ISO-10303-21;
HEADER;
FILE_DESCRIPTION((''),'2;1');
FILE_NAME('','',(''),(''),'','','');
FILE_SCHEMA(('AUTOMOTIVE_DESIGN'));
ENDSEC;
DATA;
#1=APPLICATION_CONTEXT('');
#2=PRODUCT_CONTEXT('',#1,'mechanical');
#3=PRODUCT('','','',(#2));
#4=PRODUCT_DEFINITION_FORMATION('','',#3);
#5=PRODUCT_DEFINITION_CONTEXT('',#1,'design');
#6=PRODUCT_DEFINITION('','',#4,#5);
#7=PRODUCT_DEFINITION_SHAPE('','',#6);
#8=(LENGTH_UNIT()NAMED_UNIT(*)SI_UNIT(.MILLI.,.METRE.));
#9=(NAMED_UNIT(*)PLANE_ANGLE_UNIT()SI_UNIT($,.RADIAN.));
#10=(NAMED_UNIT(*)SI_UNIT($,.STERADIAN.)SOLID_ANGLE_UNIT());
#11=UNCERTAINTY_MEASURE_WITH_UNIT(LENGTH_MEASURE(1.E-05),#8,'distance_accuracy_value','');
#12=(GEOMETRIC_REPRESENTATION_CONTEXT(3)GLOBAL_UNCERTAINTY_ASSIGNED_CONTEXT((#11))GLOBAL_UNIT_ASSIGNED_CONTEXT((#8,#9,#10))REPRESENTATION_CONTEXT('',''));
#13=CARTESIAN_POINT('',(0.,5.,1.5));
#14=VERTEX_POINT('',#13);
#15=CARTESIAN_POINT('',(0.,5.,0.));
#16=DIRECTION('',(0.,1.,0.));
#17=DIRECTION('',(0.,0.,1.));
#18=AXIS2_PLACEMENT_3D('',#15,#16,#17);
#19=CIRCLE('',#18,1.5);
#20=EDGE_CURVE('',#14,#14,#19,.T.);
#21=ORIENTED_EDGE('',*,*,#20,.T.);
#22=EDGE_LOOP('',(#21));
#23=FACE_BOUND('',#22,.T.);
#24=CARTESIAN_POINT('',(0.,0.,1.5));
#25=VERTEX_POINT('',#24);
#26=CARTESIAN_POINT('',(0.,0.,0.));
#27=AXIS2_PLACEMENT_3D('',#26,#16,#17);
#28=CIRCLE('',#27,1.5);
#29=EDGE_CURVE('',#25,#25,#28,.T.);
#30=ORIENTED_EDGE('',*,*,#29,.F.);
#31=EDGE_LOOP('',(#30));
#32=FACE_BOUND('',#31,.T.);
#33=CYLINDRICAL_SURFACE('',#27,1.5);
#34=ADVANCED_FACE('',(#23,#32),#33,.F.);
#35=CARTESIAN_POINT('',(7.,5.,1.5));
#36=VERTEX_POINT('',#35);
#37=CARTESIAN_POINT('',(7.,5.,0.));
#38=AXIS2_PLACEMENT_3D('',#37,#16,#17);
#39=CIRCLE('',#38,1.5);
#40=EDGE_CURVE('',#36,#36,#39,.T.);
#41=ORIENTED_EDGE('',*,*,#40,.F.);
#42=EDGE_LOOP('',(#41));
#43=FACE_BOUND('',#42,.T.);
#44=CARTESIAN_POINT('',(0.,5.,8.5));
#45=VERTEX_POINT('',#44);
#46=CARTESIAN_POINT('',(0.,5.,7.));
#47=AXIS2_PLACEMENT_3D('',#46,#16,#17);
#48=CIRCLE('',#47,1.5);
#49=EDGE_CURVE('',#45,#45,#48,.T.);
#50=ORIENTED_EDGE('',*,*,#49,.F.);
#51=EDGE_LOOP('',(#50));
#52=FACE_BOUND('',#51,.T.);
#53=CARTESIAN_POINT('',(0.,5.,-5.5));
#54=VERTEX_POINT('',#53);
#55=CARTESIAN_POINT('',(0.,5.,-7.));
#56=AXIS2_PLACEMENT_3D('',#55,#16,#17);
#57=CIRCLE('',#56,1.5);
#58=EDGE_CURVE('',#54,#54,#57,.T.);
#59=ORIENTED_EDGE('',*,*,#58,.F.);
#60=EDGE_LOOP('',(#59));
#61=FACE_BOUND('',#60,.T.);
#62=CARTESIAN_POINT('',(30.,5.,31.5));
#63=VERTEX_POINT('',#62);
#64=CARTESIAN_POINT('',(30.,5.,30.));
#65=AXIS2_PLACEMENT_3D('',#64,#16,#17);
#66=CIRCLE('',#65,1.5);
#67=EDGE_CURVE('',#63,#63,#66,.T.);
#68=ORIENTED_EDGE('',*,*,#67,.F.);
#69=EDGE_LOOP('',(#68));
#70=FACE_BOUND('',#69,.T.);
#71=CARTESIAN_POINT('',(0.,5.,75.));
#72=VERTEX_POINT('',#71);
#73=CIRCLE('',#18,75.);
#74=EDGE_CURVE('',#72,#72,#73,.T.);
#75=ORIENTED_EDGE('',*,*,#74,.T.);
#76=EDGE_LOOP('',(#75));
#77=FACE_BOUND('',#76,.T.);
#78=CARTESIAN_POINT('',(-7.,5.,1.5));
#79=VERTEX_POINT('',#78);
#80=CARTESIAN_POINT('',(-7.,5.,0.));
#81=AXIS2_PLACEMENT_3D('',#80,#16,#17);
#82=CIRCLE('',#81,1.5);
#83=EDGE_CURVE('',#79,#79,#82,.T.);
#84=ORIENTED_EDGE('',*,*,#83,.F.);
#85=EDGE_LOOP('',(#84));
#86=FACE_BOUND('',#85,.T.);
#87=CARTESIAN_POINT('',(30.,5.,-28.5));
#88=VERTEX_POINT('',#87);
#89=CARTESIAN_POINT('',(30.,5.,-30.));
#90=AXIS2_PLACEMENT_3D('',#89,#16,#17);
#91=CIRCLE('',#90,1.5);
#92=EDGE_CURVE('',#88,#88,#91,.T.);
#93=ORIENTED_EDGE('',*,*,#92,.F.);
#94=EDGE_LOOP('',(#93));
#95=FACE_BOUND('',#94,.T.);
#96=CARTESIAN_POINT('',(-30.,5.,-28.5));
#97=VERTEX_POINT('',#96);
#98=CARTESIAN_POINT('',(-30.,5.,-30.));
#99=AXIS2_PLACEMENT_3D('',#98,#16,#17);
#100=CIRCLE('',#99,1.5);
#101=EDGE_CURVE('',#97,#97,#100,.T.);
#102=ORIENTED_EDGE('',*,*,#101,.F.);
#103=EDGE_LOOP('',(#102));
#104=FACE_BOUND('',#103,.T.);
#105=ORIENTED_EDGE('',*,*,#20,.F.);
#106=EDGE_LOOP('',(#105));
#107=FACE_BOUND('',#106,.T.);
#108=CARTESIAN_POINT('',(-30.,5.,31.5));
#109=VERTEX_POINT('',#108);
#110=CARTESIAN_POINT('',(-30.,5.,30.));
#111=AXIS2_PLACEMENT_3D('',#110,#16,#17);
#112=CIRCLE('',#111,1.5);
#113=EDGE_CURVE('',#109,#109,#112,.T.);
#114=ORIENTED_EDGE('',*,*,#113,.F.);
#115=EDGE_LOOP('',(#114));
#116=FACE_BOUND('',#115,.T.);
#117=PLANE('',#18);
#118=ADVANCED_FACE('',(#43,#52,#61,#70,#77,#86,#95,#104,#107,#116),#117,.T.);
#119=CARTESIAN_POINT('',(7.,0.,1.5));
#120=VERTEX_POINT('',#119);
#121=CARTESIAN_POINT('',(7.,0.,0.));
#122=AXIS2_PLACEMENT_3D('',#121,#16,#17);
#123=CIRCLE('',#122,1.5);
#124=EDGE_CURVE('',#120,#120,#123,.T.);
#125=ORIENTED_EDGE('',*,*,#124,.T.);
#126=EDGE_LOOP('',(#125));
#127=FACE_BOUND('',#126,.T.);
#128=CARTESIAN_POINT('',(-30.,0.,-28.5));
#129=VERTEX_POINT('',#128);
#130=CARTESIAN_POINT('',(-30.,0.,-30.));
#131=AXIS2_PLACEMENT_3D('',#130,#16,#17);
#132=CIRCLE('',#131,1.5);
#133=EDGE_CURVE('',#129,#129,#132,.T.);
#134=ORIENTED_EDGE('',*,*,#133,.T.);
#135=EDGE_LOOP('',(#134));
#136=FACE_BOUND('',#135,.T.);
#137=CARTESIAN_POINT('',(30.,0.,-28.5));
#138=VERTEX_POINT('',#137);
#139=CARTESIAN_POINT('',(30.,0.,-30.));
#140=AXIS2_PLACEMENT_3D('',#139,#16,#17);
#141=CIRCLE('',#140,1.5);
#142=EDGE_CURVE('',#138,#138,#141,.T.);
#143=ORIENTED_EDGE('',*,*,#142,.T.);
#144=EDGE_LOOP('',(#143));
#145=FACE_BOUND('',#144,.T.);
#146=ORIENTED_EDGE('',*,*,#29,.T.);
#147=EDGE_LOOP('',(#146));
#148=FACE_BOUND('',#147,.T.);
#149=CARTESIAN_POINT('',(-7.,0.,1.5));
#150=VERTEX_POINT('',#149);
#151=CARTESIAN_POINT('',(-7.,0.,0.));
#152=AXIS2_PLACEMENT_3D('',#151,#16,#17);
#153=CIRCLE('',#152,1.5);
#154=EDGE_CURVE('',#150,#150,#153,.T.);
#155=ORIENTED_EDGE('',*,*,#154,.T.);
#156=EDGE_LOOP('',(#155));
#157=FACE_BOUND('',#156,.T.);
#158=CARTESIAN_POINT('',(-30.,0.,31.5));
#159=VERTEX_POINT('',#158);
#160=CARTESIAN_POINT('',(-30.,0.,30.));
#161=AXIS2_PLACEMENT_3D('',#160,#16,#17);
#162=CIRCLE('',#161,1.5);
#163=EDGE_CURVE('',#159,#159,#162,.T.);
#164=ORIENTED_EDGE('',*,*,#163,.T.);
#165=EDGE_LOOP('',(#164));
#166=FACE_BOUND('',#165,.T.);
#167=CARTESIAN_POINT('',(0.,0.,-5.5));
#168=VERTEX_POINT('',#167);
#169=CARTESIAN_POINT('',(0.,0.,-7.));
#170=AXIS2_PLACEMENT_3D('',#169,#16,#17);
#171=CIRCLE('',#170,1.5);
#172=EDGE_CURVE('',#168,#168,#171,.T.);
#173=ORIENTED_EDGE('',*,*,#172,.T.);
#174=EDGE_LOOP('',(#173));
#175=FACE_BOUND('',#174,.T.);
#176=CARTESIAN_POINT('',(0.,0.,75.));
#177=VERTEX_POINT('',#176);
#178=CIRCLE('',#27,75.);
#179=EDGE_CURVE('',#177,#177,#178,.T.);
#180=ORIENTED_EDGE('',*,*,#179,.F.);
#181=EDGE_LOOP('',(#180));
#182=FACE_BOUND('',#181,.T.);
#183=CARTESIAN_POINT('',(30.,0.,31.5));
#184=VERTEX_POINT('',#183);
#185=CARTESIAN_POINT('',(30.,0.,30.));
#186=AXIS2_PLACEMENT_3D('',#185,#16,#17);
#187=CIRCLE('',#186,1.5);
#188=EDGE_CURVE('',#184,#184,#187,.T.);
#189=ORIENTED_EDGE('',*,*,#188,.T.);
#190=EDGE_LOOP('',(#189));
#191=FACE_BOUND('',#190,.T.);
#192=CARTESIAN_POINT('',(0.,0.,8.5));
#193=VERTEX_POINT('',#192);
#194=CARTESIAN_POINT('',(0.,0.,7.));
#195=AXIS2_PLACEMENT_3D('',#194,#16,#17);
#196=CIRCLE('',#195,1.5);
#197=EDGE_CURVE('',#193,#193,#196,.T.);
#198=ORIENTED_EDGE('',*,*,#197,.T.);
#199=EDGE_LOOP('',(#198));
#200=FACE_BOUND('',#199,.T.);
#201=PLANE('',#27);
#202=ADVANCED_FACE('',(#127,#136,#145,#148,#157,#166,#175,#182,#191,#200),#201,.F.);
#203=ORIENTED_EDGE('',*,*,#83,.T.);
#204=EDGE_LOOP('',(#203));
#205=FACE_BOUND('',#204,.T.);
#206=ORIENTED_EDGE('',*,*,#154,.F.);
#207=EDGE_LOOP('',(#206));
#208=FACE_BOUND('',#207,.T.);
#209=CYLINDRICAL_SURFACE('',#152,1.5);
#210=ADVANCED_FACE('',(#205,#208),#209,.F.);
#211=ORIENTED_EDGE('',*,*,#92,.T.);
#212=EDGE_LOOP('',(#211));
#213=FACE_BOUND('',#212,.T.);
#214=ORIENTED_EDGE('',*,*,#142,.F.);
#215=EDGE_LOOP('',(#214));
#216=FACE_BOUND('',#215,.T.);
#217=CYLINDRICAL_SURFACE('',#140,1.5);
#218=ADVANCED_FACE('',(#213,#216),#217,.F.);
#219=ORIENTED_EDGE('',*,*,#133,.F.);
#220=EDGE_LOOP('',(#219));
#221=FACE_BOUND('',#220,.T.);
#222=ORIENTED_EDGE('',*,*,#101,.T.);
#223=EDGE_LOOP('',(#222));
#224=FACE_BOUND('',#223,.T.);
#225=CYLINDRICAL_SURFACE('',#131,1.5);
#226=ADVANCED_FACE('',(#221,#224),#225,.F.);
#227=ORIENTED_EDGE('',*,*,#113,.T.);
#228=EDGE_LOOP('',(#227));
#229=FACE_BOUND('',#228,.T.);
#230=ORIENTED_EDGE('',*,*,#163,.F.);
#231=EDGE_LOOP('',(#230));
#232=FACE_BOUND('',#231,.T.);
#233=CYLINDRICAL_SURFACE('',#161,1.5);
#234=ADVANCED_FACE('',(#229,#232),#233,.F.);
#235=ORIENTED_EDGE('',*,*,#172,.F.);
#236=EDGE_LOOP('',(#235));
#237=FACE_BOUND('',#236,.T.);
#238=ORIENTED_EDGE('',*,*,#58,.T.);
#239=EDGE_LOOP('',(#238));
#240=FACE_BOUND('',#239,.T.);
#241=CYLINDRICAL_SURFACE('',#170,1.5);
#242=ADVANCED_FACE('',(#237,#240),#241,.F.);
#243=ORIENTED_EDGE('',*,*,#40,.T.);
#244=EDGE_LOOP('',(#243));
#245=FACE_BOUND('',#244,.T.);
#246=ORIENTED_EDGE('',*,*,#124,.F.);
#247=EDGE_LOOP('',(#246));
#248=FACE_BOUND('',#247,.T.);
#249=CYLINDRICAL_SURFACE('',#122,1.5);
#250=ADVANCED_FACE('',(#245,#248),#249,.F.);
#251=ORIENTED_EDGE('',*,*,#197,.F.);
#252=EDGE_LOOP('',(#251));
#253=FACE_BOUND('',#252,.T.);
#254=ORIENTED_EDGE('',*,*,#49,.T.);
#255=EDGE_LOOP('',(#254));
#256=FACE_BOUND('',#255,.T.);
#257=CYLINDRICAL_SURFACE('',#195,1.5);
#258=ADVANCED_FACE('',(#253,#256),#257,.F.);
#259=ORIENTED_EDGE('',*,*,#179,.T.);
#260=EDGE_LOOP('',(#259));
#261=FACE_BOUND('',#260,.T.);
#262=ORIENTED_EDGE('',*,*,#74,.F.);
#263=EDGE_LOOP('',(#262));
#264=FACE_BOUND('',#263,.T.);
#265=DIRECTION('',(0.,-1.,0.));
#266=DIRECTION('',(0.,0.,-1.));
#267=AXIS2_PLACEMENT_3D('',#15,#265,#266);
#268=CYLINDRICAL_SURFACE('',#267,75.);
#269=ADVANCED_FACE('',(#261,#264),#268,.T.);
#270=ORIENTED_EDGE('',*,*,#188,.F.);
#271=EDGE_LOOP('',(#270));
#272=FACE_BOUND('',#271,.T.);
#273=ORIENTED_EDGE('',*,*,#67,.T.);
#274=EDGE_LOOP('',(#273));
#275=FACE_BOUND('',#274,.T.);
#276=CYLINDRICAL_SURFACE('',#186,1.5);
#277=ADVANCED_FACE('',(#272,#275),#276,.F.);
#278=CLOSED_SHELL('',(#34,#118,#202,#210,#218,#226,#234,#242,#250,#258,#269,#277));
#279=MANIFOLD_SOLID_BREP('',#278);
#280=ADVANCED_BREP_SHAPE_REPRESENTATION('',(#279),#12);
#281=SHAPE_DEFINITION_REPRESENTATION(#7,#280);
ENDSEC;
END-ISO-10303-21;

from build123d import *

# Parameters (mm, degrees)
CROQUIS1_R              = 75
SALIENTE_EXTRUIR1_DEPTH = 5
CROQUIS2_R              = 1.5
CORTAR_EXTRUIR1_DEPTH   = 5
CROQUIS3_R              = 1.5
CORTAR_EXTRUIR2_DEPTH   = 5


with BuildPart() as part:
    # Croquis1 → Saliente-Extruir1 (new body)
    with BuildSketch(Plane(origin=(0, 0, 0), x_dir=(1, 0, 0), z_dir=(0, 1, 0))):
        with Locations(Location((0, 0, 0), (0, 0, 270))):
            Circle(CROQUIS1_R)
    extrude(amount=SALIENTE_EXTRUIR1_DEPTH)

    # Croquis2 → Cortar-Extruir1 (cut)
    with BuildSketch(Plane(origin=(0, 5, 0), x_dir=(1, 0, 0), z_dir=(0, 1, 0))):
        with Locations(Location((0, 0, 0), (0, 0, 270))):
            Circle(CROQUIS2_R)
        with Locations(Location((7, 0, 0), (0, 0, 270))):
            Circle(CROQUIS2_R)
        with Locations(Location((0, -7, 0), (0, 0, 270))):
            Circle(CROQUIS2_R)
        with Locations(Location((-7, 0, 0), (0, 0, 270))):
            Circle(CROQUIS2_R)
        with Locations(Location((0, 7, 0), (0, 0, 270))):
            Circle(CROQUIS2_R)
    extrude(amount=-CORTAR_EXTRUIR1_DEPTH, mode=Mode.SUBTRACT)

    # Croquis3 → Cortar-Extruir2 (cut)
    with BuildSketch(Plane(origin=(0, 5, 0), x_dir=(1, 0, 0), z_dir=(0, 1, 0))):
        with BuildLine():
            ThreePointArc((28.5, 30), (28.939339828, 28.939339828), (30, 28.5))
            Line((30, 28.5), (30, 30))
            Line((30, 30), (28.5, 30))
        make_face()
        with BuildLine():
            Line((30, 30), (30, 28.5))
            ThreePointArc((30, 28.5), (31.060660172, 28.939339828), (31.5, 30))
            ThreePointArc((31.5, 30), (30, 31.5), (28.5, 30))
            Line((28.5, 30), (30, 30))
        make_face()
        with BuildLine():
            Line((-30, -28.5), (-30, -30))
            Line((-30, -30), (-28.5, -30))
            ThreePointArc((-28.5, -30), (-28.939339828, -28.939339828), (-30, -28.5))
        make_face()
        with BuildLine():
            Line((-28.5, -30), (-30, -30))
            Line((-30, -30), (-30, -28.5))
            ThreePointArc((-30, -28.5), (-31.060660172, -31.060660172), (-28.5, -30))
        make_face()
        with BuildLine():
            ThreePointArc((30, -28.5), (28.939339828, -28.939339828), (28.5, -30))
            Line((28.5, -30), (30, -30))
            Line((30, -30), (30, -28.5))
        make_face()
        with BuildLine():
            Line((30, -30), (28.5, -30))
            ThreePointArc((28.5, -30), (30, -31.5), (31.5, -30))
            ThreePointArc((31.5, -30), (31.060660172, -28.939339828), (30, -28.5))
            Line((30, -28.5), (30, -30))
        make_face()
        with Locations(Location((-30, 30, 0), (0, 0, 270))):
            Circle(CROQUIS3_R)
    extrude(amount=-CORTAR_EXTRUIR2_DEPTH, mode=Mode.SUBTRACT)


solid = part.part
